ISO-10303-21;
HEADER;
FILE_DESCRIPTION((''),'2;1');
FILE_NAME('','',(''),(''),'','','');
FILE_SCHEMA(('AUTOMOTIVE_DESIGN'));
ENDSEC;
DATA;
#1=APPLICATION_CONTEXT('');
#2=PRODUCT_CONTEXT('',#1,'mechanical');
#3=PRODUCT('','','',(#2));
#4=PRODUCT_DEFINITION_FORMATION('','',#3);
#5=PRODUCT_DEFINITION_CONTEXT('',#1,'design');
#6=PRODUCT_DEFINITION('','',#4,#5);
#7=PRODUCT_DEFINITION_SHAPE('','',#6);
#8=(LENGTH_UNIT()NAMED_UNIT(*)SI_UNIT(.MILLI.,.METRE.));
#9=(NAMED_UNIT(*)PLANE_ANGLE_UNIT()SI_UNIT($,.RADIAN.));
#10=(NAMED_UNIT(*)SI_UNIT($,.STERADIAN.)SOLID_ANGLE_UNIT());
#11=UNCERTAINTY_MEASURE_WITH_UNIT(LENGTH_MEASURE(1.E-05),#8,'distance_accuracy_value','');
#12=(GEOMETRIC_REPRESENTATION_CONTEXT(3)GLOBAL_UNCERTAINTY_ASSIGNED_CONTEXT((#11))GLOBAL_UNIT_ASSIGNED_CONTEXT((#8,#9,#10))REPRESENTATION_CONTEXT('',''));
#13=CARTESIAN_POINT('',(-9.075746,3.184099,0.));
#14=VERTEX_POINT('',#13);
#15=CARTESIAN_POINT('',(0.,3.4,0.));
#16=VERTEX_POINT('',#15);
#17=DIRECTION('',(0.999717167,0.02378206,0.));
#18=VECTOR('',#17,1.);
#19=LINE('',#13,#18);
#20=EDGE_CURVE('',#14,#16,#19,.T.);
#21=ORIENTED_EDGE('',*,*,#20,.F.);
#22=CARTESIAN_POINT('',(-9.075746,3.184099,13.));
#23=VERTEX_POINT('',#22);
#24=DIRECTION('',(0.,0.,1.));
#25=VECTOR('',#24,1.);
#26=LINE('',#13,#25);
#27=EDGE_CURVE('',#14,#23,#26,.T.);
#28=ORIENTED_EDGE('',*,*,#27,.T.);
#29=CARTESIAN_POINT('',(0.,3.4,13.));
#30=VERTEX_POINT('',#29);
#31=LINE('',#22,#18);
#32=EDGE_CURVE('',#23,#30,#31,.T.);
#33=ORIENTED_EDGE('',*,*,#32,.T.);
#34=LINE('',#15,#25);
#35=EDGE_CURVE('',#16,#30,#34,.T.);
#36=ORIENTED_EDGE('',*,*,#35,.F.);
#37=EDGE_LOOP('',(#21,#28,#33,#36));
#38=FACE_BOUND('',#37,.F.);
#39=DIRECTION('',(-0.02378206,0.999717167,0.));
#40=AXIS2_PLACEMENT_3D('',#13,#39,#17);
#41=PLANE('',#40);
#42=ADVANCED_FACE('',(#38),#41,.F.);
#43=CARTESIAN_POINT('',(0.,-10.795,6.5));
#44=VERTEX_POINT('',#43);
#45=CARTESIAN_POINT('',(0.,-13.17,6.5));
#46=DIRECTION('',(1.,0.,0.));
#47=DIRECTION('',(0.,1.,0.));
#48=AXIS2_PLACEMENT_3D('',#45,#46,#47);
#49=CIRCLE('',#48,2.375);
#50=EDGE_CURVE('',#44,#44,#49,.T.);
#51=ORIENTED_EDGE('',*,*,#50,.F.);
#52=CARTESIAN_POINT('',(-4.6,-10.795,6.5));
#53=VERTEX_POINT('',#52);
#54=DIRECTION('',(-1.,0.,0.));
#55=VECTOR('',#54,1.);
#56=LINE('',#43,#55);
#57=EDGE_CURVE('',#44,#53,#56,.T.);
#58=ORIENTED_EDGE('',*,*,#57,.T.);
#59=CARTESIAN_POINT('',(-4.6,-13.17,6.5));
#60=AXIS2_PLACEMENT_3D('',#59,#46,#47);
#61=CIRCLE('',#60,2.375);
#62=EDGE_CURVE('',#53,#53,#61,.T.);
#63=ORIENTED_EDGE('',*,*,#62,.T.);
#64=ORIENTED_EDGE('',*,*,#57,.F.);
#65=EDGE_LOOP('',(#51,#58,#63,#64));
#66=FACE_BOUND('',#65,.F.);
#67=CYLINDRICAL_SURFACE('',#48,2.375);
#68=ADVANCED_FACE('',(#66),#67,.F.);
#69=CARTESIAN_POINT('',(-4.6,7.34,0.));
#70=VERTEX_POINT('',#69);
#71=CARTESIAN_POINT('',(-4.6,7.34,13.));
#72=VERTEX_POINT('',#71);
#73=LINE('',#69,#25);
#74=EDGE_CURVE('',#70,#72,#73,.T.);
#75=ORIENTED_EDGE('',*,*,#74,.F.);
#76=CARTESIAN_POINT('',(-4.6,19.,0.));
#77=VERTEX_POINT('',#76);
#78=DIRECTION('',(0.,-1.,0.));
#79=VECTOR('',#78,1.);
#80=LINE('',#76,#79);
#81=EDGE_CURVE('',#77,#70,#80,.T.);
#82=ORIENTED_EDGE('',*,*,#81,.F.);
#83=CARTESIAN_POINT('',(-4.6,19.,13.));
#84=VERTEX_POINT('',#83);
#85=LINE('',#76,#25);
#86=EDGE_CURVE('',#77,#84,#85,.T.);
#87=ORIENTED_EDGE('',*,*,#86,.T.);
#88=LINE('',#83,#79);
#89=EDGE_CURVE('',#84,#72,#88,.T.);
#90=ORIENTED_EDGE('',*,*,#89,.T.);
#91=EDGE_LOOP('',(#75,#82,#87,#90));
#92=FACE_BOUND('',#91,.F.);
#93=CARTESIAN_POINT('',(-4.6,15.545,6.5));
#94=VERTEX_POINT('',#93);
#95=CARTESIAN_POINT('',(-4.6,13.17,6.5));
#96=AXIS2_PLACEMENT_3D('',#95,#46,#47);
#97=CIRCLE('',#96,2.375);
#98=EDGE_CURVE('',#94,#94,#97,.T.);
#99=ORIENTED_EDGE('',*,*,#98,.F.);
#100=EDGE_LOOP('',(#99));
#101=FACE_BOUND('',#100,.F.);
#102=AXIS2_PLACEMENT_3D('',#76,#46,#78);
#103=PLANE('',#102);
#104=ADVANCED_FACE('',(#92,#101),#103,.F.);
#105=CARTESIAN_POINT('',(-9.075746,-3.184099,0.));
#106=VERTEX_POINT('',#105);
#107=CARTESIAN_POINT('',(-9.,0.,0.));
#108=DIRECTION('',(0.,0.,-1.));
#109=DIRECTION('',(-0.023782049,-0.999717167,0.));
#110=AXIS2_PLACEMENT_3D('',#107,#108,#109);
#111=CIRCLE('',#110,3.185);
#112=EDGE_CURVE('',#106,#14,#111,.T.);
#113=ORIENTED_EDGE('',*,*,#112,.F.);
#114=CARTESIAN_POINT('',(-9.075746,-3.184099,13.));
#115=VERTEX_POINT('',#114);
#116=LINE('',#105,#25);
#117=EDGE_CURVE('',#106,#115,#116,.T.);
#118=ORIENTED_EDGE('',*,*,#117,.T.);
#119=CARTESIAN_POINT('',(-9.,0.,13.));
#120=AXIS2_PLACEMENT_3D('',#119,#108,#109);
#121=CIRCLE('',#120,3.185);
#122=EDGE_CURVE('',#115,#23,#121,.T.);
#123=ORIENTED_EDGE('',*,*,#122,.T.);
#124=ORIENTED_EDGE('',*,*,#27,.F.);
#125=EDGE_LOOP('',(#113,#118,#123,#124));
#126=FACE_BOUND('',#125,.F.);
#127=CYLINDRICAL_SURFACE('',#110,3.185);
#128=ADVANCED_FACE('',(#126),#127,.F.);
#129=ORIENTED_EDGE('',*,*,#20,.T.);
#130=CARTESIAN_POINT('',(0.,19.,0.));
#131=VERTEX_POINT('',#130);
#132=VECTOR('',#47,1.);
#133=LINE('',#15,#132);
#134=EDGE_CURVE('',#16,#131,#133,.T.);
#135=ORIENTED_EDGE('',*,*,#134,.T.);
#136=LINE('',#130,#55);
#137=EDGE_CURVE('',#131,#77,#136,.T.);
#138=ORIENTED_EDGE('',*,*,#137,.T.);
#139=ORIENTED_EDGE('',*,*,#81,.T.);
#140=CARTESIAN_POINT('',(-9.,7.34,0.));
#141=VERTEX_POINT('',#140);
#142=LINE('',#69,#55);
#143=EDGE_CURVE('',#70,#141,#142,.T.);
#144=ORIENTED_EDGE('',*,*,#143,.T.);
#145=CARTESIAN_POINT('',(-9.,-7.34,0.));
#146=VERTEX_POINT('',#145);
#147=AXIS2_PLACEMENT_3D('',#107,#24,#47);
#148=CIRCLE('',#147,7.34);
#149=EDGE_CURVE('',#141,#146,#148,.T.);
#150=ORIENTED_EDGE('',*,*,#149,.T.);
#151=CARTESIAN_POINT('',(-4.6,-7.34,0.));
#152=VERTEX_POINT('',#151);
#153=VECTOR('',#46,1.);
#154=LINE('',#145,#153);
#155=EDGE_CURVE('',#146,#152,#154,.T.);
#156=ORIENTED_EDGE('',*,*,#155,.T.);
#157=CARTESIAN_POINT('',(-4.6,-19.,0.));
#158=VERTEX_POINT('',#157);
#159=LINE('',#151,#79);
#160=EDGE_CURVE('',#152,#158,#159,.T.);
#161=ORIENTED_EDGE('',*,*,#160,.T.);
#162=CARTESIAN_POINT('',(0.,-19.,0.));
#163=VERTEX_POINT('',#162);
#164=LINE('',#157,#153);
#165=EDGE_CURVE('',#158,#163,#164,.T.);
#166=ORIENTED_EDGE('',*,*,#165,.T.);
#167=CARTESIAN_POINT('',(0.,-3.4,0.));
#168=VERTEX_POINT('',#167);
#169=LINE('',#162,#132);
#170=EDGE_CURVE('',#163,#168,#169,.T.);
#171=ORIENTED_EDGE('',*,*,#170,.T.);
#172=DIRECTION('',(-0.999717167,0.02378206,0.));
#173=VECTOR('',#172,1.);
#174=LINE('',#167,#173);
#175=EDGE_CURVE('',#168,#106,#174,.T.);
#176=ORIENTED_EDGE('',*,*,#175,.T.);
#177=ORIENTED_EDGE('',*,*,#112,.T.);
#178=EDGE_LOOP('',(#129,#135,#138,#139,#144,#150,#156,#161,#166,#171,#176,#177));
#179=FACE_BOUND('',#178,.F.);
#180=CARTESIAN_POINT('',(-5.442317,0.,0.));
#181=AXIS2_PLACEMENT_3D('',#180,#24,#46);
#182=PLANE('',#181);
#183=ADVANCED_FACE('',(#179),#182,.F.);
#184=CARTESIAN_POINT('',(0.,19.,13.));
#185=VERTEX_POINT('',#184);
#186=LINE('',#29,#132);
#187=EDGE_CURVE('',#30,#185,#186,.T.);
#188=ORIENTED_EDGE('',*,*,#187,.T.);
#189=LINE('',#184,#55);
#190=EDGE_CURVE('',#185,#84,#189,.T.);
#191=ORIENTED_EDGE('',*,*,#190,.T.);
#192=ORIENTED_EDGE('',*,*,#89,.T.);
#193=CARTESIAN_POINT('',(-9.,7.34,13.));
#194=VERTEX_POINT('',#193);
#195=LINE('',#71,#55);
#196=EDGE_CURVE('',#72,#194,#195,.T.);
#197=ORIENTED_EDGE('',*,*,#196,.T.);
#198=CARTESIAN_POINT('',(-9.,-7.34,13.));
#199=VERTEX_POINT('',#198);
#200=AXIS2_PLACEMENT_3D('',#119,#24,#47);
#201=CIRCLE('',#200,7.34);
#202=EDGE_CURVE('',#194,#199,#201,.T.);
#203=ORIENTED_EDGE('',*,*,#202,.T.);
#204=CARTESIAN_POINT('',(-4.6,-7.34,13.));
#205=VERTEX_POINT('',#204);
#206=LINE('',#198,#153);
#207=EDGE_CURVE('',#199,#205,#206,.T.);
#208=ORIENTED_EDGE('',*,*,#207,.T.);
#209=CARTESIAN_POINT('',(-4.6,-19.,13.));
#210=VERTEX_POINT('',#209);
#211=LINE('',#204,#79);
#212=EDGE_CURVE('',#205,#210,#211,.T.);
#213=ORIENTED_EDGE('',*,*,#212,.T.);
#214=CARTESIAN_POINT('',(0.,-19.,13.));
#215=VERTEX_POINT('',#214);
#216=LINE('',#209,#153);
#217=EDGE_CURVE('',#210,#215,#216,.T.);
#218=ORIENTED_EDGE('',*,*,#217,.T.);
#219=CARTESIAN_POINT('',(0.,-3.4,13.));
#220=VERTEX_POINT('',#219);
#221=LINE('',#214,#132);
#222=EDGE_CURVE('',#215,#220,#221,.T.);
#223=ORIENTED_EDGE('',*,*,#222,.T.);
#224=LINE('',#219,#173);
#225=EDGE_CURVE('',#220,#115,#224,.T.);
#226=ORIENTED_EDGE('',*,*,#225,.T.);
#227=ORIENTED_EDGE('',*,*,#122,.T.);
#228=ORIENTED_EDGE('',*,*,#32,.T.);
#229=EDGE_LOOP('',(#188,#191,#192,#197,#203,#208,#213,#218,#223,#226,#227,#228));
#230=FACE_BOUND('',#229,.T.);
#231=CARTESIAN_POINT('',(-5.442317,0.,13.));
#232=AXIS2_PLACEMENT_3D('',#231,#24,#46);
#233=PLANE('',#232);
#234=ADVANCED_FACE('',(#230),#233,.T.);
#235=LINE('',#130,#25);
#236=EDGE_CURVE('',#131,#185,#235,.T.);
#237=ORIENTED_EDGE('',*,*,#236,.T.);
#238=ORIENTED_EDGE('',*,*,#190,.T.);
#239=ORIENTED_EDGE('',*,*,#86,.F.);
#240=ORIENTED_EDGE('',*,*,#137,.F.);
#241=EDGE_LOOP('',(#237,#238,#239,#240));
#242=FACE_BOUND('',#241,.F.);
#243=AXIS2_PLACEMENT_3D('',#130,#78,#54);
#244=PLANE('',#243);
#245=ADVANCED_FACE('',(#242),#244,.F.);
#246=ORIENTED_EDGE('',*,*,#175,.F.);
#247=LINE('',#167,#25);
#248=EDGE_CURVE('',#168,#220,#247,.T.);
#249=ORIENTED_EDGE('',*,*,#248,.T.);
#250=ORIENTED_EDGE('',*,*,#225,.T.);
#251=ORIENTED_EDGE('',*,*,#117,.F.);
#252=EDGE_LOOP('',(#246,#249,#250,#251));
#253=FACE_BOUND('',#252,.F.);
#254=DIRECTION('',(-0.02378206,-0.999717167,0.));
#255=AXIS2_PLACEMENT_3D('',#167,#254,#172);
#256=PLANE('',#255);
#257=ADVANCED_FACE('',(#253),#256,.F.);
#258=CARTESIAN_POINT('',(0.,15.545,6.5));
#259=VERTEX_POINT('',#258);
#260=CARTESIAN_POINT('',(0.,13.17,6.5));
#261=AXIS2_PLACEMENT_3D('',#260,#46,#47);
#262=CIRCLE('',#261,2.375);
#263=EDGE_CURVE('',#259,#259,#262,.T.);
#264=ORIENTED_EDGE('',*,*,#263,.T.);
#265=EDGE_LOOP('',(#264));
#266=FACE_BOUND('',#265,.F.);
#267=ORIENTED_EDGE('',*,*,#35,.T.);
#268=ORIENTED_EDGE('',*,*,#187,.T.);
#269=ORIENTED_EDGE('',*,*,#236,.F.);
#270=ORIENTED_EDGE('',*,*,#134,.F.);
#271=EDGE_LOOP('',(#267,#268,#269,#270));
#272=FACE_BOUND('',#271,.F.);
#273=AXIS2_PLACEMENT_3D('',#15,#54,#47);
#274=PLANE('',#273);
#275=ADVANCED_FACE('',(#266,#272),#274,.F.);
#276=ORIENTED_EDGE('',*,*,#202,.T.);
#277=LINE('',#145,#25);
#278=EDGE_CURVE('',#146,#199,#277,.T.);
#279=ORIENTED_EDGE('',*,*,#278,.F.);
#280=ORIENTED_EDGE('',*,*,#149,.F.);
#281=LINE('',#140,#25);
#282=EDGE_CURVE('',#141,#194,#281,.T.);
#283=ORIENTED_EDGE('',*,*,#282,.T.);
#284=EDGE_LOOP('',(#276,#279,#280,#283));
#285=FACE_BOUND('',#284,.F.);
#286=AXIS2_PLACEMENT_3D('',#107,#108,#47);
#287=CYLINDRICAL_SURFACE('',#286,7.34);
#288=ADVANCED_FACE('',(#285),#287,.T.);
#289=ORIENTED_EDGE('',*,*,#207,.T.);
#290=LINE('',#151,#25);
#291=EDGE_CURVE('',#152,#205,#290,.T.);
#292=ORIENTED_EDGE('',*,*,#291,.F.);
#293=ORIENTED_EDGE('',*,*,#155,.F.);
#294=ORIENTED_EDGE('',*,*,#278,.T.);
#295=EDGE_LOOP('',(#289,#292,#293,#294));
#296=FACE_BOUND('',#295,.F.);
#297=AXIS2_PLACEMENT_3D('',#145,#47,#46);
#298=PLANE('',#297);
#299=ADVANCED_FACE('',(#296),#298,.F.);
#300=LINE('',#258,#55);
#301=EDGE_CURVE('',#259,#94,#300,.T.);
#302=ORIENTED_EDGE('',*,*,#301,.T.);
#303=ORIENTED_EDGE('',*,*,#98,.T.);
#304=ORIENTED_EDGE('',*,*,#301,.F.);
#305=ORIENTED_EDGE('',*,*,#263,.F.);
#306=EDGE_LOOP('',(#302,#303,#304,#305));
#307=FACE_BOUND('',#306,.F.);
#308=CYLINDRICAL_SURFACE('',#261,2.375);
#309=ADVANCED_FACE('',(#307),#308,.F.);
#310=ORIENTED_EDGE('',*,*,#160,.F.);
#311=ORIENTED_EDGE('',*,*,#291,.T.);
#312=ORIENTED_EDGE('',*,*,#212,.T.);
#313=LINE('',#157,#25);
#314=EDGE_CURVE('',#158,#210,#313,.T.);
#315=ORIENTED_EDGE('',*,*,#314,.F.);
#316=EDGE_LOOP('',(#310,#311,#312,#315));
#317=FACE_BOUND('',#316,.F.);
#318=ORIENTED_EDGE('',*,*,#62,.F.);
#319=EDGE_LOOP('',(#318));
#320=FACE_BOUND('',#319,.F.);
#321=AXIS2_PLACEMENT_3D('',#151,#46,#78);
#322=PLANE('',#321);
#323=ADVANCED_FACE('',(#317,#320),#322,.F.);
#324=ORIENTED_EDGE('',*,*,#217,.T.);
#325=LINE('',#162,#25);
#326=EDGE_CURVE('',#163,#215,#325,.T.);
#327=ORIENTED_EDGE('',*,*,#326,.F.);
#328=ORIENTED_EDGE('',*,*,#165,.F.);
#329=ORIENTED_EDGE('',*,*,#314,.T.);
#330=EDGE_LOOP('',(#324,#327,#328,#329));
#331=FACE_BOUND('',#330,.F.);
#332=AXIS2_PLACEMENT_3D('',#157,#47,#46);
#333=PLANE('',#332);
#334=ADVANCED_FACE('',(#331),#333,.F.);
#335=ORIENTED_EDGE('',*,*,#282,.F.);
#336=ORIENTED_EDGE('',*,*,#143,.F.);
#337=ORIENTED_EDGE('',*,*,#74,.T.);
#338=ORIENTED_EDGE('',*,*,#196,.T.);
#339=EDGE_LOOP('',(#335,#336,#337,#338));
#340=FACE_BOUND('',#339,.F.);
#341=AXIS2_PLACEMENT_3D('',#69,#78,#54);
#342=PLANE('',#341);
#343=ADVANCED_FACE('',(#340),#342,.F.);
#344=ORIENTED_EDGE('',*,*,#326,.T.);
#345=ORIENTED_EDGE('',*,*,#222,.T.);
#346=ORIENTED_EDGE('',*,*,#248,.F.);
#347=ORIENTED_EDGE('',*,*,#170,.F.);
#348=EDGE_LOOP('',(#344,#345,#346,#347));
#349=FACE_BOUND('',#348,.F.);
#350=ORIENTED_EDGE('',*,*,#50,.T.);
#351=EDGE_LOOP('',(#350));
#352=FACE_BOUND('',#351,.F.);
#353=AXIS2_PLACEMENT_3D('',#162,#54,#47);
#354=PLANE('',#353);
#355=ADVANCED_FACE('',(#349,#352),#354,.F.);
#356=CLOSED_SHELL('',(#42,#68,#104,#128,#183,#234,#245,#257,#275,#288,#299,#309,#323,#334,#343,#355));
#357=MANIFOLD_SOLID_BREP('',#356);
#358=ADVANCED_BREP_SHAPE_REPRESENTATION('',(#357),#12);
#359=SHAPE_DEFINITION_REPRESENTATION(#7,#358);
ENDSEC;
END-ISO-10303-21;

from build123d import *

# Parameters (mm, degrees)
F1_DEPTH = 13
F2_R     = 2.375
F3_DEPTH = 4.6


with BuildPart() as f1:
    # F0 (on Top) → F1 (new body)
    with BuildSketch(Plane.XY):
        with BuildLine():
            Line((-4.6, -19), (0, -19))
            Line((0, -19), (0, -3.4))
            Line((0, -3.4), (-9.075746, -3.184099))
            ThreePointArc((-9.075746, -3.184099), (-12.185, 0), (-9.075746, 3.184099))
            Line((-9.075746, 3.184099), (0, 3.4))
            Line((0, 3.4), (0, 19))
            Line((0, 19), (-4.6, 19))
            Line((-4.6, 19), (-4.6, 7.34))
            Line((-4.6, 7.34), (-9, 7.34))
            ThreePointArc((-9, 7.34), (-16.34, 0), (-9, -7.34))
            Line((-9, -7.34), (-4.6, -7.34))
            Line((-4.6, -7.34), (-4.6, -19))
        make_face()
    extrude(amount=F1_DEPTH)

    # F2 (on Right) → F3 (cut, through all)
    with BuildSketch(Plane.YZ):
        with Locations((-13.17, 6.5)):
            Circle(F2_R)
        with Locations((13.17, 6.5)):
            Circle(F2_R)
    extrude(amount=-F3_DEPTH, mode=Mode.SUBTRACT)


solid = f1.part
